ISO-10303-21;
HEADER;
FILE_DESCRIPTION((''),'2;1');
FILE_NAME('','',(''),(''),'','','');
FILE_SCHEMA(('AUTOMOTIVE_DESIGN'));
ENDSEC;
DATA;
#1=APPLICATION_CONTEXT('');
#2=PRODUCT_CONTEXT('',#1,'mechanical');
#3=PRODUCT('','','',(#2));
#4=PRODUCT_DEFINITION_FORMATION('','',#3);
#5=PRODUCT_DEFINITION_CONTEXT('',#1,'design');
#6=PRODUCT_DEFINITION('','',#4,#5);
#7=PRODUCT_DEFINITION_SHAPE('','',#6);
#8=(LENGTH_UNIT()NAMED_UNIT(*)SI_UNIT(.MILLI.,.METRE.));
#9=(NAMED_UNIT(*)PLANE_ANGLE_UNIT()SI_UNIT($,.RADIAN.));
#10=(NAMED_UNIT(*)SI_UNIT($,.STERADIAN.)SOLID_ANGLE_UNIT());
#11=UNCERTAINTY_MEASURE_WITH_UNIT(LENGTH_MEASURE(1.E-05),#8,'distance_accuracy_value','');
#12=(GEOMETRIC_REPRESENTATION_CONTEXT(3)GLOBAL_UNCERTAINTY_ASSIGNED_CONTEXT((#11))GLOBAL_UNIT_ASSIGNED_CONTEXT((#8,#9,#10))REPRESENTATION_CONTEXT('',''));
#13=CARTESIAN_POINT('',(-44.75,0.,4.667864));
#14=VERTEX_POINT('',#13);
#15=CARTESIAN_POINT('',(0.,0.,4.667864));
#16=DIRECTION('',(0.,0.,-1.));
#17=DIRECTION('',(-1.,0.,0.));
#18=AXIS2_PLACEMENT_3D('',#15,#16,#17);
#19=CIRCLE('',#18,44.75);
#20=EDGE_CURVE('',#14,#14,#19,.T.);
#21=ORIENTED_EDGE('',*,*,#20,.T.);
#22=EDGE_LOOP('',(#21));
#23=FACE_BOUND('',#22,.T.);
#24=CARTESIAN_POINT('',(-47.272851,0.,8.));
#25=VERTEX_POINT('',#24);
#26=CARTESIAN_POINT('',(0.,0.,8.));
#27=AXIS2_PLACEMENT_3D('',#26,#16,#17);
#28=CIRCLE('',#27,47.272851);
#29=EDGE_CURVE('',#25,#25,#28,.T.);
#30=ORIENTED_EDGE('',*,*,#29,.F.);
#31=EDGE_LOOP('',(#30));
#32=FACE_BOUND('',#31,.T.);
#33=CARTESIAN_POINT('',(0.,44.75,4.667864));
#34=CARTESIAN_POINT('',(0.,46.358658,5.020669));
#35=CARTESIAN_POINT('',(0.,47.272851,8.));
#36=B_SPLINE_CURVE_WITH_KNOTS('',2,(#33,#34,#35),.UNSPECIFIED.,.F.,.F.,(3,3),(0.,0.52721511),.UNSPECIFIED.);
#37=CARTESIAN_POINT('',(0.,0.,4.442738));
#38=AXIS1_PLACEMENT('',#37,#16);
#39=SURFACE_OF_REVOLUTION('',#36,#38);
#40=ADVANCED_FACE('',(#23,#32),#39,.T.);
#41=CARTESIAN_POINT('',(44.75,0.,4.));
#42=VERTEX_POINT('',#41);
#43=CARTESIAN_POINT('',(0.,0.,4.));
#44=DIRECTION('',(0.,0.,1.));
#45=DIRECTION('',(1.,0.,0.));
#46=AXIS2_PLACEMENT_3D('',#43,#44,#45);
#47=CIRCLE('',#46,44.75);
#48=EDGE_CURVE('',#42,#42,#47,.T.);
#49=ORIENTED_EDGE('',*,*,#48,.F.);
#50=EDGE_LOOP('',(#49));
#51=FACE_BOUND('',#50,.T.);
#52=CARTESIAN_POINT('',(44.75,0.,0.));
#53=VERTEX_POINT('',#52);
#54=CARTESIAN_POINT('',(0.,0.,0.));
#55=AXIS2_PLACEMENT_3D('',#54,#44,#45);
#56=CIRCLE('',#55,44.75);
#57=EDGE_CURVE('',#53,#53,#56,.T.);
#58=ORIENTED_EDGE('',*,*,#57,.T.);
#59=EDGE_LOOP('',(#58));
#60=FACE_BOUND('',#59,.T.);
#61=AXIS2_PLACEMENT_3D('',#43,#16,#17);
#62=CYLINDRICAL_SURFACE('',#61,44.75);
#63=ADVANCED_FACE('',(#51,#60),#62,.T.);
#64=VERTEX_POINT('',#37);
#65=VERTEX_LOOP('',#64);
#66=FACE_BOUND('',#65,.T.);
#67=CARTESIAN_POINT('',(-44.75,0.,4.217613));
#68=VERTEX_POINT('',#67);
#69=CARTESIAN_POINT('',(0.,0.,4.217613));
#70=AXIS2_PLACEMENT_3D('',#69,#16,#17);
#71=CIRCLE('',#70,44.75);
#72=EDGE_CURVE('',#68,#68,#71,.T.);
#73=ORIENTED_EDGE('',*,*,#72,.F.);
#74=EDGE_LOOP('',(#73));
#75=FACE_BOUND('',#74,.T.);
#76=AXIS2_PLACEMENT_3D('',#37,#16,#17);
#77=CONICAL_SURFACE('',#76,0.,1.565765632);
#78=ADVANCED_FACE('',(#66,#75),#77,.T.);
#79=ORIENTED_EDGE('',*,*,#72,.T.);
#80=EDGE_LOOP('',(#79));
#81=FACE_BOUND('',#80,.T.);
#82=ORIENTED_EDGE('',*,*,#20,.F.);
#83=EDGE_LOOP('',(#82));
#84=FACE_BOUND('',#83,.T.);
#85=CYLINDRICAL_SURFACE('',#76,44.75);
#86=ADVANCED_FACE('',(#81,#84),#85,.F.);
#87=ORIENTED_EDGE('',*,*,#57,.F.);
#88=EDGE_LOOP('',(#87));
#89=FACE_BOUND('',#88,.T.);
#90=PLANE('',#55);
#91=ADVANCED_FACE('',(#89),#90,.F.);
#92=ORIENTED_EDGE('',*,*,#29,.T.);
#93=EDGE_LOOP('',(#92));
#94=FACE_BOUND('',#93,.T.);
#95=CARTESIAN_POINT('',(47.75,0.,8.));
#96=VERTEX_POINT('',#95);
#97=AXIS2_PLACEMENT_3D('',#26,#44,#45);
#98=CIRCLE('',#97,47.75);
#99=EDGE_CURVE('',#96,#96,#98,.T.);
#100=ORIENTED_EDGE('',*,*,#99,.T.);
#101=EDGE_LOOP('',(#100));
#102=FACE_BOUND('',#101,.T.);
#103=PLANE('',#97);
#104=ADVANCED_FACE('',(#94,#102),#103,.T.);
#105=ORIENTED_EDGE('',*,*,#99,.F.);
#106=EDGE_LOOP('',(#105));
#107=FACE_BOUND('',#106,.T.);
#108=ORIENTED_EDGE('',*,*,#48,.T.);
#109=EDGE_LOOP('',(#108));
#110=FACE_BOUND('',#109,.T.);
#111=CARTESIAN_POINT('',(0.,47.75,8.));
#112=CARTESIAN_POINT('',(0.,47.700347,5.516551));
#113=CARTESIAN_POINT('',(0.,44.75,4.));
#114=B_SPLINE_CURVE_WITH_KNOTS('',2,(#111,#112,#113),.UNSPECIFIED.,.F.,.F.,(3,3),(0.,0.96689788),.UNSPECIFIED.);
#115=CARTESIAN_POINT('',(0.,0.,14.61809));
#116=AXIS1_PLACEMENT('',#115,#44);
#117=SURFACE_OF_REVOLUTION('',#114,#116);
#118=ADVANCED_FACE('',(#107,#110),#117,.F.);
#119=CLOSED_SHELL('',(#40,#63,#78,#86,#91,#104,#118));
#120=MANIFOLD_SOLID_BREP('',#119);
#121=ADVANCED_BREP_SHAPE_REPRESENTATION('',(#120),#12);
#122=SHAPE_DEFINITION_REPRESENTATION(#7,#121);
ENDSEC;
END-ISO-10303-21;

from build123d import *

# Parameters (mm, degrees)
SKETCH1_R           = 44.75
BOSS_EXTRUDE1_DEPTH = 4
SKETCH2_R           = 47.75
BOSS_EXTRUDE2_DEPTH = 4


with BuildPart() as part:
    # Sketch1 → Boss-Extrude1 (new body)
    with BuildSketch(Plane.XY):
        Circle(SKETCH1_R)
    extrude(amount=BOSS_EXTRUDE1_DEPTH)

    # Sketch2 → Boss-Extrude2 (add)
    with BuildSketch(Plane.XY.offset(4)):
        Circle(SKETCH2_R)
    extrude(amount=BOSS_EXTRUDE2_DEPTH)

    # Sketch3 → Cut-Revolve1 (revolve, cut)
    with BuildSketch(Plane(origin=(0, 0, 0), x_dir=(0, 0, -1), z_dir=(1, 0, 0))):
        with BuildLine():
            Line((-4, 47.75), (-4, 44.75))
            add(Edge.make_bspline(
                [(-4, 44.75), (-5.51655106, 47.70034682), (-8, 47.75)],
                knots=[0, 0, 0, 0.96689788, 0.96689788, 0.96689788], degree=2))
            Line((-8, 47.75), (-4, 47.75))
        make_face()
    revolve(axis=Axis((0, 0, 14.618090142), (0, 0, -1)), mode=Mode.SUBTRACT)

    # Sketch4 → Cut-Revolve3 (revolve, cut)
    with BuildSketch(Plane(origin=(0, 0, 0), x_dir=(0, 0, -1), z_dir=(1, 0, 0))):
        with BuildLine():
            Line((-4.667863656, 44.75), (-4.217612647, 44.75))
            Line((-4.217612647, 44.75), (-4.442738152, 0))
            Line((-4.442738152, 0), (-8, 0))
            Line((-8, 0), (-8, 47.272851402))
            add(Edge.make_bspline(
                [(-8, 47.272851402), (-5.020669257, 46.35865801), (-4.667863656, 44.75)],
                knots=[0, 0, 0, 0.52721511, 0.52721511, 0.52721511], degree=2))
        make_face()
    revolve(axis=Axis((0, 0, 4.442738152), (0, 0, 1)), mode=Mode.SUBTRACT)


solid = part.part
